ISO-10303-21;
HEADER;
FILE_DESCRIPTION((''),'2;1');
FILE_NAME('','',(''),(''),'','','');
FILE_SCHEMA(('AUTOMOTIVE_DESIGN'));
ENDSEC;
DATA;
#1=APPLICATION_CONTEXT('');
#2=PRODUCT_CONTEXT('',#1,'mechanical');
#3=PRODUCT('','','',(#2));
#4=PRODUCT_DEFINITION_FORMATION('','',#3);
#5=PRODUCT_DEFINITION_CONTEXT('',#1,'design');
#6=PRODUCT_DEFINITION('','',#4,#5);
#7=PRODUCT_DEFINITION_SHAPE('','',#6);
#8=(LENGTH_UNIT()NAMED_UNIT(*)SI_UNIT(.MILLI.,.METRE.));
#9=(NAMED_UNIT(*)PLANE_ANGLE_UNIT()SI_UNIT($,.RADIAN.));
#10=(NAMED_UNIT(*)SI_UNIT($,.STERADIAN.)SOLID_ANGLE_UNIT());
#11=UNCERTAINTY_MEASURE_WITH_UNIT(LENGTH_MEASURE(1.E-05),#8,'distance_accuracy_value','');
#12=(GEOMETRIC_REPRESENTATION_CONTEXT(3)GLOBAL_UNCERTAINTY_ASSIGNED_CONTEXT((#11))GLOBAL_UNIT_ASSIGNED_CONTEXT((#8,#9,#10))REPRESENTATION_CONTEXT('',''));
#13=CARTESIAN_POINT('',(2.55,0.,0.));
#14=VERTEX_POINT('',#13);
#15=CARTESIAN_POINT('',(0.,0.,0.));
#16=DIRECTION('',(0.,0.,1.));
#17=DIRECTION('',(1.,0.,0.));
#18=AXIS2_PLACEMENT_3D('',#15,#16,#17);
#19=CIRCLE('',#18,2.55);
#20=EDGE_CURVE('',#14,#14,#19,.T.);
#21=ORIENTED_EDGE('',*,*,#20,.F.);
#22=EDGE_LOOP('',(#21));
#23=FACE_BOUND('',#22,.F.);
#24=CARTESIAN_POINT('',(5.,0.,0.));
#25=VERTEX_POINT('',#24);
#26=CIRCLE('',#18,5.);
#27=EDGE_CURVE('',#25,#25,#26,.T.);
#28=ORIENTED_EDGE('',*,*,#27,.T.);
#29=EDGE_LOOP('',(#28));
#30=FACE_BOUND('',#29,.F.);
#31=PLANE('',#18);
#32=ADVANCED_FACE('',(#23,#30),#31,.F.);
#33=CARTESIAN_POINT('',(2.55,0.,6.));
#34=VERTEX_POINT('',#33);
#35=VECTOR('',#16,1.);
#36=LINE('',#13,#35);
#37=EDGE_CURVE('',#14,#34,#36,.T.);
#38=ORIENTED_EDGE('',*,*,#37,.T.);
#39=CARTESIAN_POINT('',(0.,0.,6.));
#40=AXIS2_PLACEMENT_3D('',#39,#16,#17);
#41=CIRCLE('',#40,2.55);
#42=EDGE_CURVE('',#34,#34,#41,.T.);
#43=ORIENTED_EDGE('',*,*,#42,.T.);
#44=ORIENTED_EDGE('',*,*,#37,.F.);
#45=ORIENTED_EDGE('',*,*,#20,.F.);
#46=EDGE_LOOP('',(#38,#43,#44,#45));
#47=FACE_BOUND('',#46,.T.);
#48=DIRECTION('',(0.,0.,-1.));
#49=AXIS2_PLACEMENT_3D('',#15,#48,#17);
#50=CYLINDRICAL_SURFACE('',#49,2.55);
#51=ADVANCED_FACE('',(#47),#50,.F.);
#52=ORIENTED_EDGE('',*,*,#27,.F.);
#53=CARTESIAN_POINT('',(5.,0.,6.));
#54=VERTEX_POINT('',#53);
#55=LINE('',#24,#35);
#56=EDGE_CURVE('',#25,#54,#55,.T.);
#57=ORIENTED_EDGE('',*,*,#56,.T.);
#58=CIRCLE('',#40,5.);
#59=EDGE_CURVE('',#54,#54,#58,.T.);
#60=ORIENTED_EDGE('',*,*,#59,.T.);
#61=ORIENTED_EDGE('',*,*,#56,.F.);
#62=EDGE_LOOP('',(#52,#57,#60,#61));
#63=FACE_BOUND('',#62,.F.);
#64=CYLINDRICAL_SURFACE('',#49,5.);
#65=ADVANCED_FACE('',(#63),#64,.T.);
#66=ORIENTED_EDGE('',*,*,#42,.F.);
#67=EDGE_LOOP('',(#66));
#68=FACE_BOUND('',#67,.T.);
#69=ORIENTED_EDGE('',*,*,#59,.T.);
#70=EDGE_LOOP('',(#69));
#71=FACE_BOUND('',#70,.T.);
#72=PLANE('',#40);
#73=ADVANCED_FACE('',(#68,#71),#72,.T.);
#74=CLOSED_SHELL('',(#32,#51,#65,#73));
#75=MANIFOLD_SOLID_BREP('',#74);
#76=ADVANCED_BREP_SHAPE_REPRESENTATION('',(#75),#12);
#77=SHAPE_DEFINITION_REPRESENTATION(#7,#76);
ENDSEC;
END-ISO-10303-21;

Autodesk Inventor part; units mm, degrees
ref_plane "YZ Plane" through (0, 0, 0) normal (1, 0, 0) x (0, 1, 0)
ref_plane "XZ Plane" through (0, 0, 0) normal (0, 1, 0) x (-1, 0, 0)
ref_plane "XY Plane" through (0, 0, 0) normal (0, 0, 1) x (1, 0, 0)
sketch "Sketch1" plane through (0, 0, 0) normal (0, 0, 1) x (1, 0, 0)
  circle A0 centre (0, 0) radius 2.55
  circle A1 centre (0, 0) radius 5
  dimension "d0" = 5.1
  dimension "d1" = 10
extrude "Extrusion1" add sketch "Sketch1" along normal blind 6
properties part number "6mm Spacer"
